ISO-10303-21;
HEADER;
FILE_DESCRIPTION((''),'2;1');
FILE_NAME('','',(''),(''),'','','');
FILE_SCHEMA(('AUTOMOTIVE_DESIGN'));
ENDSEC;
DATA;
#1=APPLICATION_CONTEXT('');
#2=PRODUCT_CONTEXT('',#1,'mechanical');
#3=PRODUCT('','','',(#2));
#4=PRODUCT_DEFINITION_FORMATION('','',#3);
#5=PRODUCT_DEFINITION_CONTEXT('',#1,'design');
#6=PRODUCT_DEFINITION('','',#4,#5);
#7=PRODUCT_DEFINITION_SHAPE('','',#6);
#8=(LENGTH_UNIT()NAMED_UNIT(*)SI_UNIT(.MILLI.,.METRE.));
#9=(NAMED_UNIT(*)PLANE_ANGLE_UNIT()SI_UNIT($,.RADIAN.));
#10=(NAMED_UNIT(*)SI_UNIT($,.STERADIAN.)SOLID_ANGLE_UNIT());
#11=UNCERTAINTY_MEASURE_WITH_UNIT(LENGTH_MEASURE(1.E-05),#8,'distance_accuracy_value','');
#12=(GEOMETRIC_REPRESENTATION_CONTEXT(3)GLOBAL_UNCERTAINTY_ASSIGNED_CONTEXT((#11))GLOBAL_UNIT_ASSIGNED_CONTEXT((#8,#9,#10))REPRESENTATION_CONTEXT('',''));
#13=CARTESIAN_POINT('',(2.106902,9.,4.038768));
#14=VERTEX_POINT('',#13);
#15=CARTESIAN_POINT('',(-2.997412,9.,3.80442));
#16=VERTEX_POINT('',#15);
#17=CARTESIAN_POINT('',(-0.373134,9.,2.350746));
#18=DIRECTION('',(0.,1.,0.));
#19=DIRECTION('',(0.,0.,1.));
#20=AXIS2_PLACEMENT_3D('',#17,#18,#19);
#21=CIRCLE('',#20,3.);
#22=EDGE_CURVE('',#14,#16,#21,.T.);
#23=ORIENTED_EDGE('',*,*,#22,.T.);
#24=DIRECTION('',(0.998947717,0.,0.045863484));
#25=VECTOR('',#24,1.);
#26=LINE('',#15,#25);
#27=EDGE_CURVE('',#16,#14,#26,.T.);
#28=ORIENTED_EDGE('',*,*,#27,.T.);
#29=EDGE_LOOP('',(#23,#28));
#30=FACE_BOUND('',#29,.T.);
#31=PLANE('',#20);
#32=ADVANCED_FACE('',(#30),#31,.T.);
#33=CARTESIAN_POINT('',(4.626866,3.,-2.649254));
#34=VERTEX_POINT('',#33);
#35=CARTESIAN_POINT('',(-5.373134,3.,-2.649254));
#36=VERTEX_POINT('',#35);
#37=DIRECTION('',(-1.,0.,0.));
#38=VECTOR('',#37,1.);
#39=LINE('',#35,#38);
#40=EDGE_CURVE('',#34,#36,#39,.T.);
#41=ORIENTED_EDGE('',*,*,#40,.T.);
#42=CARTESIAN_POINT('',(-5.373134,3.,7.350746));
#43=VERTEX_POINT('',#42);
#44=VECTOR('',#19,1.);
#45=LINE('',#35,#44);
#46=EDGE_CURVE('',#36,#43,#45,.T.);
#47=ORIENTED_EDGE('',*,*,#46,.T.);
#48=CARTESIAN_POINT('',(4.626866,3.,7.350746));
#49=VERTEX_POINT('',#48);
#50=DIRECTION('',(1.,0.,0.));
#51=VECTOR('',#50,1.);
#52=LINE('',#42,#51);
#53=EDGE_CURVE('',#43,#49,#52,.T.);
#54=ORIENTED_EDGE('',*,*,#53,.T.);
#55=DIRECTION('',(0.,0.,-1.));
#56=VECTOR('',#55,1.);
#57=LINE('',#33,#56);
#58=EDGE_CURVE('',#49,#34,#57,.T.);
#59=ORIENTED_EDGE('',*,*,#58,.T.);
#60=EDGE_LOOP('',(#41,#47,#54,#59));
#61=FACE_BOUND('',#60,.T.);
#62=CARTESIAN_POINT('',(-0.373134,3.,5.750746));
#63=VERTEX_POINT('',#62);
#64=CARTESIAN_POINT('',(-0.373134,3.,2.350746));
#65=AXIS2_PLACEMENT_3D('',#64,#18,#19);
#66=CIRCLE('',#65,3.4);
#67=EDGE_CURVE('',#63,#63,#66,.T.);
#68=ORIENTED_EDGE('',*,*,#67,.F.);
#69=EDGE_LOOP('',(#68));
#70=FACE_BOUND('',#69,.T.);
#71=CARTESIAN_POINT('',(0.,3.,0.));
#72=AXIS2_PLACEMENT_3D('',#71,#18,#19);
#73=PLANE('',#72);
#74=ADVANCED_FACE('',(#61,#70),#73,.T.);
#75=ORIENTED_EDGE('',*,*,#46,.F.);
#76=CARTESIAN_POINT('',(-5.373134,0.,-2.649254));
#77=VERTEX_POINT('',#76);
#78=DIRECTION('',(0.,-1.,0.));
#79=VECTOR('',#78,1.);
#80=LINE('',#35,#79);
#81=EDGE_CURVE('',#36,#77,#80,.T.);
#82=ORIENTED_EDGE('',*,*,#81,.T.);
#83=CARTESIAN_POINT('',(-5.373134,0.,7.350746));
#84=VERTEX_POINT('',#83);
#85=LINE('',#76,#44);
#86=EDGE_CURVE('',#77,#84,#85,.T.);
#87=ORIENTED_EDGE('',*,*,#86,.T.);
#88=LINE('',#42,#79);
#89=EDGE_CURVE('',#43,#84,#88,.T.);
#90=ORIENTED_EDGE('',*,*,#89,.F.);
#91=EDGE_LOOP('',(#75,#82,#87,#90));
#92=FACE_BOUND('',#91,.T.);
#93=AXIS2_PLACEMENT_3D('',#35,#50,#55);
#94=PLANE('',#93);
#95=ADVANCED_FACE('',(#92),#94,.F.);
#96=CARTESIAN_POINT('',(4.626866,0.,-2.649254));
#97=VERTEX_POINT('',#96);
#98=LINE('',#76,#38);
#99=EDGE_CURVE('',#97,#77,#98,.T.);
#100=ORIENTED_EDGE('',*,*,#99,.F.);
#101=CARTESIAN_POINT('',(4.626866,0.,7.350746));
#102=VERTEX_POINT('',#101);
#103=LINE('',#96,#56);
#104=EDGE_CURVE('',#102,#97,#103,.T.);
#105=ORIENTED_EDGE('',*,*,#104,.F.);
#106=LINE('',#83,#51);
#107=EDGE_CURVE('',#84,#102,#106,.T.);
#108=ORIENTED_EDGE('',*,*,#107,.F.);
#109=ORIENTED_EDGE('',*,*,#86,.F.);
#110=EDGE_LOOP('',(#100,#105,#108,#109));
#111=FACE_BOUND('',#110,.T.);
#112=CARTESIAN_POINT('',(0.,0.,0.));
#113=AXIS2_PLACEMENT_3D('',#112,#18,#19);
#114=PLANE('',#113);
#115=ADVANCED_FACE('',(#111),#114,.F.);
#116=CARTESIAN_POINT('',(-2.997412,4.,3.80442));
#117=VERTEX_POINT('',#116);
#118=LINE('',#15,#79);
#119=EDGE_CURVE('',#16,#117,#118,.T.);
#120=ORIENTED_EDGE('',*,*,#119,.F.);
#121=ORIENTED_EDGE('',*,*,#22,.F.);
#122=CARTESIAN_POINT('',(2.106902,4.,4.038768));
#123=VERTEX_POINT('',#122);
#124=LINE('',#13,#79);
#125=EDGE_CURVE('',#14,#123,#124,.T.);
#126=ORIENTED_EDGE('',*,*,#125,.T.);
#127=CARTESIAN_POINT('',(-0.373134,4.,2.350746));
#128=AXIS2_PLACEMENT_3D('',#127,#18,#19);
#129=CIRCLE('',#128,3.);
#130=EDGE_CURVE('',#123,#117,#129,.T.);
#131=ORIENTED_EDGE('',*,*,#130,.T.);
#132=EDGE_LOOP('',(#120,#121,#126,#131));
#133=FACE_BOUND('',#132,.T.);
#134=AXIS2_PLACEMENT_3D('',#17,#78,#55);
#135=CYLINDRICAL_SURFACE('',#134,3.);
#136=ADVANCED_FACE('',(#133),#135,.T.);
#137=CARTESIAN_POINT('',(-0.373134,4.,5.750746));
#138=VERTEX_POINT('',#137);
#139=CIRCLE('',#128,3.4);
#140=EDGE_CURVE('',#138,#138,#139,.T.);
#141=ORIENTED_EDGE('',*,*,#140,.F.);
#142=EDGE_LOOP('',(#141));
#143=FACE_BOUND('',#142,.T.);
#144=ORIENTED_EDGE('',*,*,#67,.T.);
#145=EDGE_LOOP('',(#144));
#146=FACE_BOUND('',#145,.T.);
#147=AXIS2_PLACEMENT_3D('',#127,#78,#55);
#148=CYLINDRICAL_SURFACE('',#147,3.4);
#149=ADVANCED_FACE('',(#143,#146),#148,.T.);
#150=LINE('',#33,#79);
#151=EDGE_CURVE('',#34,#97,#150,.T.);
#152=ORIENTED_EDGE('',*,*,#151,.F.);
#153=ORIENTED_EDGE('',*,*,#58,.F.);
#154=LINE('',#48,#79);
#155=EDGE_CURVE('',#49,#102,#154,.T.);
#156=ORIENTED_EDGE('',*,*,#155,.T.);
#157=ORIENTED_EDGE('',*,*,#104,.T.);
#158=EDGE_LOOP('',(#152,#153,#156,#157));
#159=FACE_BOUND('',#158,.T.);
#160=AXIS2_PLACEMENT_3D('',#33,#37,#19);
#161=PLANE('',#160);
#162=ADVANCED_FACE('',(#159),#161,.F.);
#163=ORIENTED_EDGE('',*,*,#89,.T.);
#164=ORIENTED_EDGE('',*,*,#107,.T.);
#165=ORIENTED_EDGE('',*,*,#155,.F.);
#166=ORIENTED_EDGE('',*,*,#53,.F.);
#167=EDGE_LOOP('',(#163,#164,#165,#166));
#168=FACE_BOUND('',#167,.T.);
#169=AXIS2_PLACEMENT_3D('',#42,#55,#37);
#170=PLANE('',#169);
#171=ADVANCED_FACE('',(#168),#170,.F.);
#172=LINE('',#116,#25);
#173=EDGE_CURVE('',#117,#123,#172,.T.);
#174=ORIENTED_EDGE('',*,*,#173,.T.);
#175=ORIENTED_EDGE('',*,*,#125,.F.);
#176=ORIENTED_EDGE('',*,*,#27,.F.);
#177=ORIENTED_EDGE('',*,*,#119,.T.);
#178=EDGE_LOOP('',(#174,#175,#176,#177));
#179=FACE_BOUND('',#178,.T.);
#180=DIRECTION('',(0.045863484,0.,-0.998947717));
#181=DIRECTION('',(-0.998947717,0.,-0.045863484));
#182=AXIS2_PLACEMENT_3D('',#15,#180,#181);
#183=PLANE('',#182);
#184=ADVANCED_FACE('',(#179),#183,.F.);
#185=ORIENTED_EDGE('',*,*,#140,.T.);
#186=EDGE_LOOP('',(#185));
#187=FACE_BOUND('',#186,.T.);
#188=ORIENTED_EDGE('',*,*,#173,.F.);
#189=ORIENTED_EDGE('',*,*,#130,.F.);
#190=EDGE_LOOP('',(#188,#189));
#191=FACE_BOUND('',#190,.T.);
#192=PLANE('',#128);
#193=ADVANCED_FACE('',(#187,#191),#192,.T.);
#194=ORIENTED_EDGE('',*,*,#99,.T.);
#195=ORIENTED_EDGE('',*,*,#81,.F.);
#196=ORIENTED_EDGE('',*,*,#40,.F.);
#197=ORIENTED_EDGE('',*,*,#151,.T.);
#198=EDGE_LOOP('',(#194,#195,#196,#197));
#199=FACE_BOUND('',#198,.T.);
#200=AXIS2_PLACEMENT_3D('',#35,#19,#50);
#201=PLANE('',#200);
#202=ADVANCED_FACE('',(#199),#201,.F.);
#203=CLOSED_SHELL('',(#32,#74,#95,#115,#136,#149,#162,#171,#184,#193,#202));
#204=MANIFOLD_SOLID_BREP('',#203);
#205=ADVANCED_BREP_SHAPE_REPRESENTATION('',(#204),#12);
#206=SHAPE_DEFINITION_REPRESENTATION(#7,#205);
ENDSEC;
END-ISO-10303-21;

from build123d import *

# Parameters (mm, degrees)
SKETCH_1_W      = 10
SKETCH_1_H      = 10
EXTRUDE_1_DEPTH = 3
SKETCH_2_R      = 3.4
EXTRUDE_2_DEPTH = 1
EXTRUDE_3_DEPTH = 5


with BuildPart() as part:
    # 草图1 → 凸台-拉伸1 (new body)
    with BuildSketch(Plane(origin=(0, 0, 0), x_dir=(1, 0, 0), z_dir=(0, 1, 0))):
        with Locations((-0.373134328, -2.350746269)):
            Rectangle(SKETCH_1_W, SKETCH_1_H)
    extrude(amount=EXTRUDE_1_DEPTH)

    # 草图2 → 凸台-拉伸2 (add)
    with BuildSketch(Plane(origin=(0, 3, 0), x_dir=(1, 0, 0), z_dir=(0, 1, 0))):
        with Locations(Location((-0.373134328, -2.350746269, 0), (0, 0, 270))):
            Circle(SKETCH_2_R)
    extrude(amount=EXTRUDE_2_DEPTH)

    # 草图3 → 凸台-拉伸3 (add)
    with BuildSketch(Plane(origin=(0, 4, 0), x_dir=(1, 0, 0), z_dir=(0, 1, 0))):
        with BuildLine():
            Line((-2.997411901, -3.804419967), (2.106902355, -4.038768203))
            ThreePointArc((2.106902355, -4.038768203), (-0.235543876, 0.646096882), (-2.997411901, -3.804419967))
        make_face()
    extrude(amount=EXTRUDE_3_DEPTH)


solid = part.part
